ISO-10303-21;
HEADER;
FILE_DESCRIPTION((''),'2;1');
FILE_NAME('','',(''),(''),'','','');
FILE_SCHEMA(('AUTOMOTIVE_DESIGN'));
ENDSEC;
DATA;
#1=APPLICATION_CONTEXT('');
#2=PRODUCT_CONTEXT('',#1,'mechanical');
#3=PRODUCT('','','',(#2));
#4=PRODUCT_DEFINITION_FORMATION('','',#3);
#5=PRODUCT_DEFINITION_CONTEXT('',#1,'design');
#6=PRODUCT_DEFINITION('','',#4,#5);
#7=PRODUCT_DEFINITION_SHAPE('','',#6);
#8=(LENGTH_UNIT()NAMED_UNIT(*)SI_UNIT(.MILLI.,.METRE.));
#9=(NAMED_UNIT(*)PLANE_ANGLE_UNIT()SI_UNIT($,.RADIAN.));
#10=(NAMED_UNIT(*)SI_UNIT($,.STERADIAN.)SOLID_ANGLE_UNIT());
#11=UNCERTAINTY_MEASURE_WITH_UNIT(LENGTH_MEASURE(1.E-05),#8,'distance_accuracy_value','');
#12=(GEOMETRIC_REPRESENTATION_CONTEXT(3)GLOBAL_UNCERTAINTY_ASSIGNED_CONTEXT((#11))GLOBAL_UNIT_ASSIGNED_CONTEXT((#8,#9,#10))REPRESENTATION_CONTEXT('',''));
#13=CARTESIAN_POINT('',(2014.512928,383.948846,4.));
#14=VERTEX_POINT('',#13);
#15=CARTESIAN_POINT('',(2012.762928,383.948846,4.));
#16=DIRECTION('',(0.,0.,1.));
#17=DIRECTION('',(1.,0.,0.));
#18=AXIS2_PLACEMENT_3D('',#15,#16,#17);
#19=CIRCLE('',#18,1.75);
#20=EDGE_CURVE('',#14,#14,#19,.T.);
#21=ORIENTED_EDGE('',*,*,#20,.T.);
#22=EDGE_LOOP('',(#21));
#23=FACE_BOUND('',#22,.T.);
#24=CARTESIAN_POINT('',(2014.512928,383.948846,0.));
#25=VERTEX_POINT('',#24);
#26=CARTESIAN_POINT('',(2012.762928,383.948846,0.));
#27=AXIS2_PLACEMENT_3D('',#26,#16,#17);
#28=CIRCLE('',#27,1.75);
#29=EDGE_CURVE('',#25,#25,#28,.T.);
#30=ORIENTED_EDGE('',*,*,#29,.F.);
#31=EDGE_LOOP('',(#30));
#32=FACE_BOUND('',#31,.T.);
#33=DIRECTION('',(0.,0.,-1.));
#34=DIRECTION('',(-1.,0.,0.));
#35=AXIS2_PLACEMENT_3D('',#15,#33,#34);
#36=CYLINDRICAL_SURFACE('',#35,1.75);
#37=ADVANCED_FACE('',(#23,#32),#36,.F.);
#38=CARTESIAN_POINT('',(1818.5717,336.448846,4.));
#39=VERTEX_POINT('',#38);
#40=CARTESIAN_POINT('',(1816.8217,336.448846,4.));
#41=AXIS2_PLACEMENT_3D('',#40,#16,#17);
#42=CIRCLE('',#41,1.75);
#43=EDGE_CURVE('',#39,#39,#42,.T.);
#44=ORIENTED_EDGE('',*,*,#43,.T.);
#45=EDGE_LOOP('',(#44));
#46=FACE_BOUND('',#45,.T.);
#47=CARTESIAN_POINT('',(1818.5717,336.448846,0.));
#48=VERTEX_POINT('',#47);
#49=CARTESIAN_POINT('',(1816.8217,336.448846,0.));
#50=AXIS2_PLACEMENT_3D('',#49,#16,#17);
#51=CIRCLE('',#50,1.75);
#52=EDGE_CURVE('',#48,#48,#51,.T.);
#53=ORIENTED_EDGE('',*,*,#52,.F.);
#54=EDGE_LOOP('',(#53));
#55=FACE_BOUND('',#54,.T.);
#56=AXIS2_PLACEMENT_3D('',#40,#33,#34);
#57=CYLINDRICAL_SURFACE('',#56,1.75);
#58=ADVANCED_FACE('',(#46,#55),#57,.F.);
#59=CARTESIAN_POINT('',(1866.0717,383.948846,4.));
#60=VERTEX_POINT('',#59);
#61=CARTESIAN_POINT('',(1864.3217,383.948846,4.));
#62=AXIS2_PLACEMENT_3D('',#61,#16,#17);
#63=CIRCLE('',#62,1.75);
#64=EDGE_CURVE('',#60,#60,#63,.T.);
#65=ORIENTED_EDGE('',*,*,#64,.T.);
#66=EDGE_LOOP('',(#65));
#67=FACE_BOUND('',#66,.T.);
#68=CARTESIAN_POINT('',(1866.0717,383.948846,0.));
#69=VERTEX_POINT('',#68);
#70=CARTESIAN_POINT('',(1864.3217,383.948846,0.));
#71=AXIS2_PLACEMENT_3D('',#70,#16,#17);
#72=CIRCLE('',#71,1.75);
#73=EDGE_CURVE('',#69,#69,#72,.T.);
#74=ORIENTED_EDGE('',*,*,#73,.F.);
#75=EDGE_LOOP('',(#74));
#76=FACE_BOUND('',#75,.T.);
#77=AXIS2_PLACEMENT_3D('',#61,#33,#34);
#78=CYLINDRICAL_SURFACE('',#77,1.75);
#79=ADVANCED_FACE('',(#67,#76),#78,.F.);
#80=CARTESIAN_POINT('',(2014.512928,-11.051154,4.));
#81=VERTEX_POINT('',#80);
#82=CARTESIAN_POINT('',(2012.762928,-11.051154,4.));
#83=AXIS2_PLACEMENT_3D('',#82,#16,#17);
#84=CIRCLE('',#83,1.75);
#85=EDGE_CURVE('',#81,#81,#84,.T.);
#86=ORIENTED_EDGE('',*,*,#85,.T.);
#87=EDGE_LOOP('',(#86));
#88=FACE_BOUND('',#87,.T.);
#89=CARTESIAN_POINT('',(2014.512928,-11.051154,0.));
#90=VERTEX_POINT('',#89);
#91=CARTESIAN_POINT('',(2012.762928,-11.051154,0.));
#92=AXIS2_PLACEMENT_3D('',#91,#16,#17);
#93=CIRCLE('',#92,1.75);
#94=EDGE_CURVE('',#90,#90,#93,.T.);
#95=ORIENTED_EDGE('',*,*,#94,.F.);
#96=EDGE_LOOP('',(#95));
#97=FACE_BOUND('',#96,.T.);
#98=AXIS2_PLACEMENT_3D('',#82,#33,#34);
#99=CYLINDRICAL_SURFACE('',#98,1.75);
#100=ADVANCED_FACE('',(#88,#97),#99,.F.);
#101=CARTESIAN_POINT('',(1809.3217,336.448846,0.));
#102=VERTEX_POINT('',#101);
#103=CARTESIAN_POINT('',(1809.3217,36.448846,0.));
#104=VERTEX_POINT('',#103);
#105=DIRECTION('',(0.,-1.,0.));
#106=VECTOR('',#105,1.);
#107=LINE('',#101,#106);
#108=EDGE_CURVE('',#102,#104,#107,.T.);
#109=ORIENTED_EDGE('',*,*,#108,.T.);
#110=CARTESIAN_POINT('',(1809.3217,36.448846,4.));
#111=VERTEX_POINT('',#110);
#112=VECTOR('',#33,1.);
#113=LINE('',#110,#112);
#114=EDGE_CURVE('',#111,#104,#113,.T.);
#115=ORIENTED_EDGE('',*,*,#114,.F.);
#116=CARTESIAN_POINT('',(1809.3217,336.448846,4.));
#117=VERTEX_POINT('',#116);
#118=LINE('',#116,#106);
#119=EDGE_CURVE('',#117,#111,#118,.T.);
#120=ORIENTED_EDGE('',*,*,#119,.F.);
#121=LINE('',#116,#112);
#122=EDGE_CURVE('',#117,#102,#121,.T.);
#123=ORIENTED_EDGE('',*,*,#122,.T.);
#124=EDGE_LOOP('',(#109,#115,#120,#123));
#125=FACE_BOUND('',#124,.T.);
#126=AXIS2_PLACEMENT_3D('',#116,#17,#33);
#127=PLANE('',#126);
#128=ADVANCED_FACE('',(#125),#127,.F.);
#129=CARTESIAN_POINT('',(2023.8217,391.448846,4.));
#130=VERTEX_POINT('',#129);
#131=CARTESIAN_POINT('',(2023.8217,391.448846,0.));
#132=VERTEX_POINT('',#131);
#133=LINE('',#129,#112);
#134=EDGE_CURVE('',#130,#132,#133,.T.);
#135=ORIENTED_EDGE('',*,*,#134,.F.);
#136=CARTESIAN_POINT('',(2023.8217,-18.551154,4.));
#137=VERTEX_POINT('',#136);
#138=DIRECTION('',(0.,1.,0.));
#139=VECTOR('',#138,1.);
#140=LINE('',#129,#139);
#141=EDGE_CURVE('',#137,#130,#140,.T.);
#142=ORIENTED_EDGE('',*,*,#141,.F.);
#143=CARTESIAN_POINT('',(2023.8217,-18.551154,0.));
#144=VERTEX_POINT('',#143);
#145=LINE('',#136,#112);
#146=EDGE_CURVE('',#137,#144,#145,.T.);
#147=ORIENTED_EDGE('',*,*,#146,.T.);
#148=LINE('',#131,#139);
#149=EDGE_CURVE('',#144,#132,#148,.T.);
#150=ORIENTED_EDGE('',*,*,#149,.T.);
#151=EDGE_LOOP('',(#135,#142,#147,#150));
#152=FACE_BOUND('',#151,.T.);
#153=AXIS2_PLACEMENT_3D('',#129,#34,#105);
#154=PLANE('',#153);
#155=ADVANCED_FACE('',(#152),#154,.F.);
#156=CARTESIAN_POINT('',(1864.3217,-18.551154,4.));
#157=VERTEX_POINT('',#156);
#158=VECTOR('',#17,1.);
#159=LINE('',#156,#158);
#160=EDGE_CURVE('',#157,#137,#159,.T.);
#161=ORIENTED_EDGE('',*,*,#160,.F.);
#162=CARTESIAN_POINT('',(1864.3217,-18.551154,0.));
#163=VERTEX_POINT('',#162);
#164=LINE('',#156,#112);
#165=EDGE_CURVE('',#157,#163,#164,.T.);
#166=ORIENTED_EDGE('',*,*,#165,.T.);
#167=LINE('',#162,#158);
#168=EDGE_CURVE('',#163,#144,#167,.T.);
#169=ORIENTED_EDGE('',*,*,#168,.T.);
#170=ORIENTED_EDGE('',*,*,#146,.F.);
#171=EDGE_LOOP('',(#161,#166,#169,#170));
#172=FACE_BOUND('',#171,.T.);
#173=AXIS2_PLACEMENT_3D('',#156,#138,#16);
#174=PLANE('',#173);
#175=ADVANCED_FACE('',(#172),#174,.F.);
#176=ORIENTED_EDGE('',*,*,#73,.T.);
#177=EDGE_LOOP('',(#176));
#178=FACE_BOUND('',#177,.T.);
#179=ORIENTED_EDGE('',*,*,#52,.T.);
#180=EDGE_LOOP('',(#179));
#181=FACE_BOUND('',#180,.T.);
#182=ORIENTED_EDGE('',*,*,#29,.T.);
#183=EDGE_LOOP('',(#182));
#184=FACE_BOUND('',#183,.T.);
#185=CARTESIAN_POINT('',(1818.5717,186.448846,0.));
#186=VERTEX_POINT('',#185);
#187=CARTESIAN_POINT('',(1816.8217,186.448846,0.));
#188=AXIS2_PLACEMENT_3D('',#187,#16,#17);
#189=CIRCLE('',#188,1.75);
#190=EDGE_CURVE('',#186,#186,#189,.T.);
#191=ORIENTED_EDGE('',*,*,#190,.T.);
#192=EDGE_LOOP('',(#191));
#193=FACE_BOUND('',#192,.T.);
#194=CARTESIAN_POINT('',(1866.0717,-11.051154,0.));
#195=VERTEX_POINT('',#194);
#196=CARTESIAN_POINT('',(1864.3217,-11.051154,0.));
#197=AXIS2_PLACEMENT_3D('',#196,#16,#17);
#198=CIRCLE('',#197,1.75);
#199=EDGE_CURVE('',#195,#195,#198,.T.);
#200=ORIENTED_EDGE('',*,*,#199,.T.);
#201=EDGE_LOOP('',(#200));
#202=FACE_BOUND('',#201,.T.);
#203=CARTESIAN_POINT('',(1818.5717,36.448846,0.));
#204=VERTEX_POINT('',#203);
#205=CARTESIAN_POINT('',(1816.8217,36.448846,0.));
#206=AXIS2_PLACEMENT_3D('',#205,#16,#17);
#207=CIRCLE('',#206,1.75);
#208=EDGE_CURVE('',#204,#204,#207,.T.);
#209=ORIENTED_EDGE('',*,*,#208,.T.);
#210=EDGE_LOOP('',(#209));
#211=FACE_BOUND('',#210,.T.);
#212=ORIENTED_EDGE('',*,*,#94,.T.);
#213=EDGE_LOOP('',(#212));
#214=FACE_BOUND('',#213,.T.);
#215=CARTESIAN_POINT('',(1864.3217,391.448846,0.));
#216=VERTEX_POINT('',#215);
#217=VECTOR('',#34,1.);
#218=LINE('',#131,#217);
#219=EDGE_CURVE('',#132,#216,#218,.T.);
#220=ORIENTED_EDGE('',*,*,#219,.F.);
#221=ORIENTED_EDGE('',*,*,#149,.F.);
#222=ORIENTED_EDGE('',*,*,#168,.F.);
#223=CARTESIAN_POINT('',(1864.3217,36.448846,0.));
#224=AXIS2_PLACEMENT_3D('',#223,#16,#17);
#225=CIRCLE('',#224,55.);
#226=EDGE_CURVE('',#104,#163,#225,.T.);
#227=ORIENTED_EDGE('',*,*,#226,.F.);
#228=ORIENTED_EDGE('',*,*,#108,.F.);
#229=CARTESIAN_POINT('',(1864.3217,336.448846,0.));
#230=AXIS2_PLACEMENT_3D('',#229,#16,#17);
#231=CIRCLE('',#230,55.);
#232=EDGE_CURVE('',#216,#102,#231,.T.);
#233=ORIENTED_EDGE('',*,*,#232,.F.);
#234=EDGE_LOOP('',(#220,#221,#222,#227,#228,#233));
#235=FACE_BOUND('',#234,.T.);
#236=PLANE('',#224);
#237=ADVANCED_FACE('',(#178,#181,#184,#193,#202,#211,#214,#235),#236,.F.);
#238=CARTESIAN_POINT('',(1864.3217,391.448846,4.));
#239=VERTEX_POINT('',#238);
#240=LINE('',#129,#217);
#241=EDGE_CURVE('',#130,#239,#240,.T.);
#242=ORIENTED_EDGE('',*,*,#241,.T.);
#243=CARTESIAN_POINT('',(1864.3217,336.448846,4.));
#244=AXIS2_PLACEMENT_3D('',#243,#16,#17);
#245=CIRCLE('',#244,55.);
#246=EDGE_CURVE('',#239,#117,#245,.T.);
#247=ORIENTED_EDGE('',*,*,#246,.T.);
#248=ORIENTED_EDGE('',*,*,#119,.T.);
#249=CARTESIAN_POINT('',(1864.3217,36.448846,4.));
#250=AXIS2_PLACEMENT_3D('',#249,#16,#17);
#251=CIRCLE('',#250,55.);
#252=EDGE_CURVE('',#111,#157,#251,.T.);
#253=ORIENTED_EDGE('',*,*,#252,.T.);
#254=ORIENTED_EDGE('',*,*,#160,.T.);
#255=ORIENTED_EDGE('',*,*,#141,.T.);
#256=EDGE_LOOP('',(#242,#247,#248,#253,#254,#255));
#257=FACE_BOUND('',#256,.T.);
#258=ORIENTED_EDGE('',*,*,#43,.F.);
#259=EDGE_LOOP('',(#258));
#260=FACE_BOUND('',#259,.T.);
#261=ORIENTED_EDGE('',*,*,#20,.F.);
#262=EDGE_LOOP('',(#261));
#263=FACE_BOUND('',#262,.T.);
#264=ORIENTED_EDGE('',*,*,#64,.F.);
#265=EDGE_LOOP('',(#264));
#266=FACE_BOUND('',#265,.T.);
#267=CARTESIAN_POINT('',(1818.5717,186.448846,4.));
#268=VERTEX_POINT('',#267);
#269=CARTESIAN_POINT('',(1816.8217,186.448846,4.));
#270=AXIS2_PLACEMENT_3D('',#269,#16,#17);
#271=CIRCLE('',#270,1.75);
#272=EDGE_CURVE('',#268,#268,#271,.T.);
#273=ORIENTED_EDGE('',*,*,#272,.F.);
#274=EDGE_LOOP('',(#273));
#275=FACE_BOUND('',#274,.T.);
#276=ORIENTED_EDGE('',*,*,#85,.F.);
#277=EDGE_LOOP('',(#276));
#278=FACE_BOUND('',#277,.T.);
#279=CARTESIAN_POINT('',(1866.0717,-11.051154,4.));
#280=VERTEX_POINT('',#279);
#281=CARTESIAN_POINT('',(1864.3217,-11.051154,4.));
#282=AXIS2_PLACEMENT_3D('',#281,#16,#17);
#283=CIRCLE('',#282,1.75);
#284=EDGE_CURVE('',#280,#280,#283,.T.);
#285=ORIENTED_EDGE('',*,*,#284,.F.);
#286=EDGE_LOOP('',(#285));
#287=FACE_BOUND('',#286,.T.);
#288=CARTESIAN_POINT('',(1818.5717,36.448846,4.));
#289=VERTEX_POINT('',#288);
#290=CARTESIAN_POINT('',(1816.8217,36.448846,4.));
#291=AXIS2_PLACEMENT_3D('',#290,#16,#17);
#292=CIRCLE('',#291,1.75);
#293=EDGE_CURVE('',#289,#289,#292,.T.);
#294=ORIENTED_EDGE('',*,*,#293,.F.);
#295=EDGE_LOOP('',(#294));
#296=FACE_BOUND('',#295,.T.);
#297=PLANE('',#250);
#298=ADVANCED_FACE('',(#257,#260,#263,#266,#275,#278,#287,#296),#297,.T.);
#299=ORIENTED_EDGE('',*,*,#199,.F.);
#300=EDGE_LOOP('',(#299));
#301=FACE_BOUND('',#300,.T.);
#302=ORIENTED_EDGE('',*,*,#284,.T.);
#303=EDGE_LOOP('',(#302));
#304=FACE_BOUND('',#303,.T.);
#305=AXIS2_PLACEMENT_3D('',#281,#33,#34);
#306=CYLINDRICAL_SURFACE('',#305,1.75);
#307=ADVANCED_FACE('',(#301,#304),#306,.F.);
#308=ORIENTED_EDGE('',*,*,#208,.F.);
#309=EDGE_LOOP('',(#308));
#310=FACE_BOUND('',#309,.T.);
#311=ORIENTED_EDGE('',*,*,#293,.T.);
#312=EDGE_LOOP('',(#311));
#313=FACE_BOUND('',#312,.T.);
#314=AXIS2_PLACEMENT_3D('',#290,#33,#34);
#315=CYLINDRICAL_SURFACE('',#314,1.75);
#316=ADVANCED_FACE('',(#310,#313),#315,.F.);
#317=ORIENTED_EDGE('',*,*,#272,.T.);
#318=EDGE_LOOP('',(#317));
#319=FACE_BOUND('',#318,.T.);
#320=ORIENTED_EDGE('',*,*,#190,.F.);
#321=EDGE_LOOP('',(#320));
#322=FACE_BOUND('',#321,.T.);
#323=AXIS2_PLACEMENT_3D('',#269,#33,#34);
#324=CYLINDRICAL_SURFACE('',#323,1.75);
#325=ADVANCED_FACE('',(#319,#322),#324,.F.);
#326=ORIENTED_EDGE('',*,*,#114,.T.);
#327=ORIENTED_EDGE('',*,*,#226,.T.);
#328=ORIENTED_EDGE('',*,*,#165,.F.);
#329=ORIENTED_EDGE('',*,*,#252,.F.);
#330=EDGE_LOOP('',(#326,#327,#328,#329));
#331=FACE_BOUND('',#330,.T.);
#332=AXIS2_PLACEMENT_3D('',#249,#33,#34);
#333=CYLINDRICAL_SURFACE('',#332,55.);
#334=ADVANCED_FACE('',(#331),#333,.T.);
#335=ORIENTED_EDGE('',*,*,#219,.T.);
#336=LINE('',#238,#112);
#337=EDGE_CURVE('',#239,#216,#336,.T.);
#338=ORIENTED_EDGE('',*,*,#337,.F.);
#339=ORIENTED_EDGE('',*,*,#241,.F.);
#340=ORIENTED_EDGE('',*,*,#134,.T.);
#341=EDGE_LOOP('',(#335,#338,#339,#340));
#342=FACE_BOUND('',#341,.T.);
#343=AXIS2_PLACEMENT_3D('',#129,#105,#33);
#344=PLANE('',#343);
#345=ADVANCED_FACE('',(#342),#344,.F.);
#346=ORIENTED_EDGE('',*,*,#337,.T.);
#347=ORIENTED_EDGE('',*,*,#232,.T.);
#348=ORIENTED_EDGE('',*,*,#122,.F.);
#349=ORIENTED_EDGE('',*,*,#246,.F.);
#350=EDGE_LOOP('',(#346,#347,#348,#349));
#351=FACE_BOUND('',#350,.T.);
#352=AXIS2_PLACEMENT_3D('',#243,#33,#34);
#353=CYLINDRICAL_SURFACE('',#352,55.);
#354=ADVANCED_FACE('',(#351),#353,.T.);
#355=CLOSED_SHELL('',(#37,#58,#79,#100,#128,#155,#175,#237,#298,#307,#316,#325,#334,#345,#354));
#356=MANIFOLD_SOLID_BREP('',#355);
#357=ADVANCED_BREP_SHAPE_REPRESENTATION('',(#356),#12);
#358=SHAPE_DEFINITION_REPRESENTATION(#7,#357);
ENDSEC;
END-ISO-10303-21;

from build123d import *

# Parameters (mm, degrees)
SKETCH1_R           = 1.75
BOSS_EXTRUDE1_DEPTH = 4


with BuildPart() as part:
    # Sketch1 → Boss-Extrude1 (new body)
    with BuildSketch(Plane.XY):
        with BuildLine():
            Line((2023.821699886, 391.448846192), (2023.821699886, -18.551153808))
            Line((2023.821699886, -18.551153808), (1864.321699886, -18.551153808))
            ThreePointArc((1864.321699886, -18.551153808), (1825.430826921, -2.442026773), (1809.321699886, 36.448846192))
            Line((1809.321699886, 36.448846192), (1809.321699886, 336.448846192))
            ThreePointArc((1809.321699886, 336.448846192), (1825.430826921, 375.339719157), (1864.321699886, 391.448846192))
            Line((1864.321699886, 391.448846192), (2023.821699886, 391.448846192))
        make_face()
        with Locations((2012.76292798, -11.051153808)):
            Circle(SKETCH1_R, mode=Mode.SUBTRACT)
        with Locations((1864.321699886, -11.051153808)):
            Circle(SKETCH1_R, mode=Mode.SUBTRACT)
        with Locations((1816.821699886, 36.448846192)):
            Circle(SKETCH1_R, mode=Mode.SUBTRACT)
        with Locations((1816.821699886, 186.448846192)):
            Circle(SKETCH1_R, mode=Mode.SUBTRACT)
        with Locations((1816.821699886, 336.448846192)):
            Circle(SKETCH1_R, mode=Mode.SUBTRACT)
        with Locations((1864.321699886, 383.948846192)):
            Circle(SKETCH1_R, mode=Mode.SUBTRACT)
        with Locations((2012.76292798, 383.948846192)):
            Circle(SKETCH1_R, mode=Mode.SUBTRACT)
    extrude(amount=BOSS_EXTRUDE1_DEPTH)


solid = part.part
